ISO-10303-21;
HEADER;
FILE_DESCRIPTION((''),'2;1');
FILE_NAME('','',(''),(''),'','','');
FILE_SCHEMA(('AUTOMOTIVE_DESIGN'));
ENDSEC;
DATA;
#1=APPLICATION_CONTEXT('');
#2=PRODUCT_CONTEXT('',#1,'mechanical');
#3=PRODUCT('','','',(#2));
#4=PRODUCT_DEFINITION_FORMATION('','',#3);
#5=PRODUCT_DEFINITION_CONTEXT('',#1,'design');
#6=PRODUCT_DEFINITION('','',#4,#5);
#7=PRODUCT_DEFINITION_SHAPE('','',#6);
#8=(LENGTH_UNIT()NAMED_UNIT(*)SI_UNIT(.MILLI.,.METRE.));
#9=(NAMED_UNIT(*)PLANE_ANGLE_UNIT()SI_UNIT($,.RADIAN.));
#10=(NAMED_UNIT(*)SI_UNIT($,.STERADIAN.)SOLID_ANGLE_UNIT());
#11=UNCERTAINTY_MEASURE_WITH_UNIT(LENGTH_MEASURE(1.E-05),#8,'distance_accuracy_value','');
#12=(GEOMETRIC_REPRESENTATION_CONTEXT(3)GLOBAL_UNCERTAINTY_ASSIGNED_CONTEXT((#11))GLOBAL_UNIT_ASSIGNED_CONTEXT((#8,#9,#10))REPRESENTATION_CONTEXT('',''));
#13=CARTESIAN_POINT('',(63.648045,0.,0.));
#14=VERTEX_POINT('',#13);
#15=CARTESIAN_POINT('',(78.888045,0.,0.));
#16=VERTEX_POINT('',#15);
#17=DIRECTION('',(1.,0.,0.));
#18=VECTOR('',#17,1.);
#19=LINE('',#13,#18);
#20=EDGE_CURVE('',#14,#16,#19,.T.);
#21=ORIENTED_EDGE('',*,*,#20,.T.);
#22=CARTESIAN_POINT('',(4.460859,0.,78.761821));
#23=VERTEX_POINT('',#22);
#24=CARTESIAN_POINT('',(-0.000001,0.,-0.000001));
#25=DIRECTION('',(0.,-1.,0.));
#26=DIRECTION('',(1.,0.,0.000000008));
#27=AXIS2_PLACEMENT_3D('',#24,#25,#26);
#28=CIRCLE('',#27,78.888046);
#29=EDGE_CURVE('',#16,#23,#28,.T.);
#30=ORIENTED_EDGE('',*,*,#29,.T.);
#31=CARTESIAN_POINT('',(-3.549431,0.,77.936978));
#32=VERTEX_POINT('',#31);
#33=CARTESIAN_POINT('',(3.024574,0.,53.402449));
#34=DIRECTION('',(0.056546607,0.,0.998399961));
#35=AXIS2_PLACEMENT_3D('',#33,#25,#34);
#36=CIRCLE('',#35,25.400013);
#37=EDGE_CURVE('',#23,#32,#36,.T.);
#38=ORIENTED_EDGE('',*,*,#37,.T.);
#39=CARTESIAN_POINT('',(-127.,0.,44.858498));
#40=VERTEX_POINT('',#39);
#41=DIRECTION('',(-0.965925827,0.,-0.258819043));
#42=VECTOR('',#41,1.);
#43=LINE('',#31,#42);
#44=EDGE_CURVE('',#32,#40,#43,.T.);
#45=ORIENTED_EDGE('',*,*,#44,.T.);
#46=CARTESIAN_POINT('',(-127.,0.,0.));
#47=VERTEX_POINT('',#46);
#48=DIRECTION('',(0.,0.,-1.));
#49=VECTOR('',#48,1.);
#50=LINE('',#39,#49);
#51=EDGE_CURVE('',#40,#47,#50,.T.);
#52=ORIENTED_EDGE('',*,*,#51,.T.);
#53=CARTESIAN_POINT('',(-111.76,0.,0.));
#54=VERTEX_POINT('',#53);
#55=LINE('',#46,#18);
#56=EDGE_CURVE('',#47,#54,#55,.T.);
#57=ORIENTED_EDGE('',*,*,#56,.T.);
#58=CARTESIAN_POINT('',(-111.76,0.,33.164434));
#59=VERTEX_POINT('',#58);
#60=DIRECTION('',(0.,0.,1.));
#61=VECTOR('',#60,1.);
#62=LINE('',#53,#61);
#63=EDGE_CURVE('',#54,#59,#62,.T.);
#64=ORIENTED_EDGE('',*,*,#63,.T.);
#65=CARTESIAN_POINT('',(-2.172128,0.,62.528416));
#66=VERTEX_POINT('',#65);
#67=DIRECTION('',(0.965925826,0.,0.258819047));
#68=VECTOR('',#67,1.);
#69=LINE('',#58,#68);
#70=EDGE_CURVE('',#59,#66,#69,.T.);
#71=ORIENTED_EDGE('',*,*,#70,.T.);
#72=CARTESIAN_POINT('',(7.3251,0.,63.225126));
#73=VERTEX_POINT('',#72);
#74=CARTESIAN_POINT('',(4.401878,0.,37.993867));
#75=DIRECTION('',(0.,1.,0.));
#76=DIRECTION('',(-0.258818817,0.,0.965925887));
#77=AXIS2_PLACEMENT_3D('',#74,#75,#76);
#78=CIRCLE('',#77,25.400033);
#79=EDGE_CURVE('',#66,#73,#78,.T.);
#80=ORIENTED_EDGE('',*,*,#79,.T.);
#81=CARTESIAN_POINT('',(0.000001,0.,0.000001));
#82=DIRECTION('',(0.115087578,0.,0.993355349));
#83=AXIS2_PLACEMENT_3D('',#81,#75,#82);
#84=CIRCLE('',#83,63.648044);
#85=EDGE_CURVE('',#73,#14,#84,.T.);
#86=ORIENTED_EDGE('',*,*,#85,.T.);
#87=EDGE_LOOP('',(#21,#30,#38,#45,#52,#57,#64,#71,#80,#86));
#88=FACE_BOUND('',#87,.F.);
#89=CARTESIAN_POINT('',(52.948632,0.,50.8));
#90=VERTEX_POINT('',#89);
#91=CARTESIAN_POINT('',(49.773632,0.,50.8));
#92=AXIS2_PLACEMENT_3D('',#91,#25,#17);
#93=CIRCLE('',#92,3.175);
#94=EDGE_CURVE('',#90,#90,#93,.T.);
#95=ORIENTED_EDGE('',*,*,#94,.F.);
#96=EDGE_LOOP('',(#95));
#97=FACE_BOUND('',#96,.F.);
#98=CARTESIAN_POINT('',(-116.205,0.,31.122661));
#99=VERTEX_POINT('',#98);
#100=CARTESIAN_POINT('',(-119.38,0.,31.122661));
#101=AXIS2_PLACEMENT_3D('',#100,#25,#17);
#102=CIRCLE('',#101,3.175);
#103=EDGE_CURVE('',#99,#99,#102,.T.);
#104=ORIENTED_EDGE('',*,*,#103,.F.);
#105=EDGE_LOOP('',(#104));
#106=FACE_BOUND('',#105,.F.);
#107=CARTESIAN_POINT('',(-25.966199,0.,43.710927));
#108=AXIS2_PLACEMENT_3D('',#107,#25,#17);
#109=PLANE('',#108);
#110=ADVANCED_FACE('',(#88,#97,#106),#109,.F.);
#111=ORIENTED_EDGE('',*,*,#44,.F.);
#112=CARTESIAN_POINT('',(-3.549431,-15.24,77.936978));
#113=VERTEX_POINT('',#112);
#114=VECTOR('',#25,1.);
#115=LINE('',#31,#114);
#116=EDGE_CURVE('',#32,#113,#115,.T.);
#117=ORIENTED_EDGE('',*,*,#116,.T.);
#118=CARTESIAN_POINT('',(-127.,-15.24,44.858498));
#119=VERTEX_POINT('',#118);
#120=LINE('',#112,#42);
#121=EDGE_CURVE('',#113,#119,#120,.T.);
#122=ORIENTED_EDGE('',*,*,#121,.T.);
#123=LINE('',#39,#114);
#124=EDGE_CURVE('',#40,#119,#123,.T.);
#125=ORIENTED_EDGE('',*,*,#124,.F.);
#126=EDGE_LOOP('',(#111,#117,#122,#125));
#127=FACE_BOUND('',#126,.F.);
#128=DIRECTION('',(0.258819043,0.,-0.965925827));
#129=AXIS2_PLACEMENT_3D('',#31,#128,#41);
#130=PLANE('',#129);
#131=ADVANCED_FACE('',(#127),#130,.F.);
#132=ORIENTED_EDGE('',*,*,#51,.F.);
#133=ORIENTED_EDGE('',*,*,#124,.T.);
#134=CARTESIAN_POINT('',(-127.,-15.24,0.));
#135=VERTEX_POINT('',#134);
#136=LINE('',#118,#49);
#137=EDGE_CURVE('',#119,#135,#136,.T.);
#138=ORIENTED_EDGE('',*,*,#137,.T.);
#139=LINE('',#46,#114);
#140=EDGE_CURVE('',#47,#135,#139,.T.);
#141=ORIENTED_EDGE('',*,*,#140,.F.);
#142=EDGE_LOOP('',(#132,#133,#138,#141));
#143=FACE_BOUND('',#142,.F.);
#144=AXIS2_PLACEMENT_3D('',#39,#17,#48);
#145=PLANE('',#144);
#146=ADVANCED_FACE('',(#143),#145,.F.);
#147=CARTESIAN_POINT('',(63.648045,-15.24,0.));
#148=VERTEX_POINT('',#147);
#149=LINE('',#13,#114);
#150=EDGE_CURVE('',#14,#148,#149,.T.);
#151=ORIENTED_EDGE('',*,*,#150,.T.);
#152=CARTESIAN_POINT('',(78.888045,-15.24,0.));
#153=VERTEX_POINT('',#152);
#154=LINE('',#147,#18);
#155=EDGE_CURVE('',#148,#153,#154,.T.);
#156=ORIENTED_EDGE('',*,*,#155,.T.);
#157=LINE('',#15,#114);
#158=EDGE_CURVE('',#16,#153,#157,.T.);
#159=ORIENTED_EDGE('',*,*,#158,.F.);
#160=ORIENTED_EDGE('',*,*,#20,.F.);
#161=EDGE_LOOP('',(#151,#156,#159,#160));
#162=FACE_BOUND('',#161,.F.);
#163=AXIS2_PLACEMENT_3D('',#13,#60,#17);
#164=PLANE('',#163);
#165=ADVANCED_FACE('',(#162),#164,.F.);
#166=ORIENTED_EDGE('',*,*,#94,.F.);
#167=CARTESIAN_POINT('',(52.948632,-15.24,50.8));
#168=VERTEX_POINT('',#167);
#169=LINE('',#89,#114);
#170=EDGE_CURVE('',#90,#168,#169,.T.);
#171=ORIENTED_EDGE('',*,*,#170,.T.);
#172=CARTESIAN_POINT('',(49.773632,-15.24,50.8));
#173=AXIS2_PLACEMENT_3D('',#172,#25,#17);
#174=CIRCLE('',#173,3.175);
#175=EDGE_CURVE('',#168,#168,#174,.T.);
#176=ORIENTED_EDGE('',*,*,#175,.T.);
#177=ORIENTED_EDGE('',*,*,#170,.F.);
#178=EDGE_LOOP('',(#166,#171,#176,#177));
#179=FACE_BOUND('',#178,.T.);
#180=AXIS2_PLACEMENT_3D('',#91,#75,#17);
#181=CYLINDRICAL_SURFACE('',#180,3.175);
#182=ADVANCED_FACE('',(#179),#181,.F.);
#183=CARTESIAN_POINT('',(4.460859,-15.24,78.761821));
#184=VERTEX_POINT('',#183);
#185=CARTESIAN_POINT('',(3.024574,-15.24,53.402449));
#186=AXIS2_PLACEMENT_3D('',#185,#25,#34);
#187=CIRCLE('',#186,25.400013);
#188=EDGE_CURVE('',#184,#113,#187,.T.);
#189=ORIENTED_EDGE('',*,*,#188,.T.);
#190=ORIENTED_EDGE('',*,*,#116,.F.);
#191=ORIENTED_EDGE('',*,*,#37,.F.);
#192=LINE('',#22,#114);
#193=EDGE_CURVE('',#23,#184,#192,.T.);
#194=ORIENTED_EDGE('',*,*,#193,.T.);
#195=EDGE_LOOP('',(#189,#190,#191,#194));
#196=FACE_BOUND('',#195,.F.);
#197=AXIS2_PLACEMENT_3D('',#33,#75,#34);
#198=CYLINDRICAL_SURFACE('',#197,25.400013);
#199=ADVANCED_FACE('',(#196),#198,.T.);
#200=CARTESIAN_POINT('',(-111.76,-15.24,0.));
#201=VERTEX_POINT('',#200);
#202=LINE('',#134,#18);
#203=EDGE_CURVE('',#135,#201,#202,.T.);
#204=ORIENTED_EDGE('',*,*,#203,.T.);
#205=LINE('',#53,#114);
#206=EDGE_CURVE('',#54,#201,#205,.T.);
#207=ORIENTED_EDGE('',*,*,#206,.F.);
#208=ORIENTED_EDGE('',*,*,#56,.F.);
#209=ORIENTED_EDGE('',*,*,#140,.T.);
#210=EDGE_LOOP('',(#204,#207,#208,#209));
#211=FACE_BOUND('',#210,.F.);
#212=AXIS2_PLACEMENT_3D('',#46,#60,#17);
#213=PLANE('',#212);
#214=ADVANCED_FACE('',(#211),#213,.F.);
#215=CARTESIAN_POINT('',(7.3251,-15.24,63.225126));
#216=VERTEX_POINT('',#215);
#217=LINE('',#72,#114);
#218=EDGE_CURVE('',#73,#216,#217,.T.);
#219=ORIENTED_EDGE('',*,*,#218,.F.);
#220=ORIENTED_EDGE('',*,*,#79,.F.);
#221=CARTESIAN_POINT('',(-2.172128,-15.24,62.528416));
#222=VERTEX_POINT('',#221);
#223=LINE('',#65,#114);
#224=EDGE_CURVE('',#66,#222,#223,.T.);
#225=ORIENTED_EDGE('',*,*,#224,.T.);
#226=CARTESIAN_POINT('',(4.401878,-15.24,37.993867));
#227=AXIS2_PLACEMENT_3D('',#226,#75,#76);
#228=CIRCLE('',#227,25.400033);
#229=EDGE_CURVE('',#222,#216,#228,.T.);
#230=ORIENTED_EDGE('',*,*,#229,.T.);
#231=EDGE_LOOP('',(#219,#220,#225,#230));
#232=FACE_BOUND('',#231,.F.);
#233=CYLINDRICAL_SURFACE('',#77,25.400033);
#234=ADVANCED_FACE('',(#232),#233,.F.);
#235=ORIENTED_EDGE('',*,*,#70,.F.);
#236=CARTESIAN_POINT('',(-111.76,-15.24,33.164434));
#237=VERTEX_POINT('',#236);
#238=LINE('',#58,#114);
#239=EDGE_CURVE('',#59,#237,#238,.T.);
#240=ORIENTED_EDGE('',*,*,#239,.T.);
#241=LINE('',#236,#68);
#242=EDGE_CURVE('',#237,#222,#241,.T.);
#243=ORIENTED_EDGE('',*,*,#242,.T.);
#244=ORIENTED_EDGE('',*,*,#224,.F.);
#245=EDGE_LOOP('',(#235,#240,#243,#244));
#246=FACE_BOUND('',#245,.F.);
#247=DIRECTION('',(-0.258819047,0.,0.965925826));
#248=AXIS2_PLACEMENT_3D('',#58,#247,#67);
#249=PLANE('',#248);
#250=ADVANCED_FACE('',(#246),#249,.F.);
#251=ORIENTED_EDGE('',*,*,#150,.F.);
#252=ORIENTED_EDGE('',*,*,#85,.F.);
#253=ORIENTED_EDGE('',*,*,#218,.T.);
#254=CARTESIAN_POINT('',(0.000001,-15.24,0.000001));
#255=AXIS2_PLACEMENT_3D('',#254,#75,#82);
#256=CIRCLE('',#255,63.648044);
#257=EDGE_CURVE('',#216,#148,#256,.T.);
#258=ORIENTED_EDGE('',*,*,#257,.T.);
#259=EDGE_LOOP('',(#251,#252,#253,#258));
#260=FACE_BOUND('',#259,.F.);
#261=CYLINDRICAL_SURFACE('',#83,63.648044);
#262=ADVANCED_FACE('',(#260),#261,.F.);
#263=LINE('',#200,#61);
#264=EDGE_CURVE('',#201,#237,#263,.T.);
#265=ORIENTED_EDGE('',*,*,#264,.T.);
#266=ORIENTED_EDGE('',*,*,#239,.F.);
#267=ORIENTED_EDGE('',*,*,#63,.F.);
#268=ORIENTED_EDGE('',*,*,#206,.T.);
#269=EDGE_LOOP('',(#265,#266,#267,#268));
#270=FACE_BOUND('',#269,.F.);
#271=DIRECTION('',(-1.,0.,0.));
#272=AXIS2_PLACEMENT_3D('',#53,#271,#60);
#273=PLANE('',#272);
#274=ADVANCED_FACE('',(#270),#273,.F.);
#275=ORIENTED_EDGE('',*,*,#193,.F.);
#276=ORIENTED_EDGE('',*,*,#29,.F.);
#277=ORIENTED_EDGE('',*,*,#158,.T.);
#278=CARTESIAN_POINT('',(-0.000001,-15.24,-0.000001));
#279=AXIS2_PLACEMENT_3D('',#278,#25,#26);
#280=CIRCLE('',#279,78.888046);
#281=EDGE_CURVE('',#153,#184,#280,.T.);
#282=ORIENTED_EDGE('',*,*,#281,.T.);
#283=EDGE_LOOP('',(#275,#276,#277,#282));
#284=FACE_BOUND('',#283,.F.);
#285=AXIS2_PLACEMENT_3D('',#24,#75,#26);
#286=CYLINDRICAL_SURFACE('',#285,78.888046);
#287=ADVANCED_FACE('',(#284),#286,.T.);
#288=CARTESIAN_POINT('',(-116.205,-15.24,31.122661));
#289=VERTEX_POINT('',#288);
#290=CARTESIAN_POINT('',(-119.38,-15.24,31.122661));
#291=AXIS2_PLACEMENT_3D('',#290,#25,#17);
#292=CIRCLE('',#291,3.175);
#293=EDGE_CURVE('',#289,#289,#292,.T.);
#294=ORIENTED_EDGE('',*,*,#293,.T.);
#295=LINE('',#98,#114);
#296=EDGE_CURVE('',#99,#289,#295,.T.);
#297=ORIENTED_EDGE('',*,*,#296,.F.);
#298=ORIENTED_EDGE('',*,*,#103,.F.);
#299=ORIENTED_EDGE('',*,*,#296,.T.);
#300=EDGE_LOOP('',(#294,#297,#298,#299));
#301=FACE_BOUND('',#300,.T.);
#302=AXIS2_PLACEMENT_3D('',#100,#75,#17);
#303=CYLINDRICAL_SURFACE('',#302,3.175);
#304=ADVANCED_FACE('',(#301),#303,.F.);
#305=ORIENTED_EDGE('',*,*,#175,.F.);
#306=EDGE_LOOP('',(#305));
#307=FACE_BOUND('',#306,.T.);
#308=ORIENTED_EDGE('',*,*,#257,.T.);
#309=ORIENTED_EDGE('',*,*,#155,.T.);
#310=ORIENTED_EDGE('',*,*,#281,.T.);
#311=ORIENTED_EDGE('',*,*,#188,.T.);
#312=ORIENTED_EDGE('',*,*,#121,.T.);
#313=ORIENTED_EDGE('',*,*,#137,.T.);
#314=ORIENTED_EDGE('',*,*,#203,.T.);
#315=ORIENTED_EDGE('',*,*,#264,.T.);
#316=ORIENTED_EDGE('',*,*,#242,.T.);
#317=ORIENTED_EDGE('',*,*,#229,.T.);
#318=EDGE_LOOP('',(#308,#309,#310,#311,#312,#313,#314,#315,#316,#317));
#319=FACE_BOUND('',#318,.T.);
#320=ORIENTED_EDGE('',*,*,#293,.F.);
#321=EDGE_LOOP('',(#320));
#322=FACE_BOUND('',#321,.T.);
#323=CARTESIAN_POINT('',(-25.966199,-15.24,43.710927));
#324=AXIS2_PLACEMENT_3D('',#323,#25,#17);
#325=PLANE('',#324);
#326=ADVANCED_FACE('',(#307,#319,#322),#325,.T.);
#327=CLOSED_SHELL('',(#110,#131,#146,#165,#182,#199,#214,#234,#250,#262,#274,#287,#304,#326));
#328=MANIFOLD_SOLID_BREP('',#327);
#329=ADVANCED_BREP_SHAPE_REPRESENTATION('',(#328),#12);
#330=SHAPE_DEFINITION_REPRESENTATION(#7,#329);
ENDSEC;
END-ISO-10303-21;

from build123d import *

# Parameters (mm, degrees)
F0_R     = 3.175
F1_DEPTH = 15.24


with BuildPart() as f1:
    # F0 (on Front) → F1 (new body)
    with BuildSketch(Plane.XZ):
        with BuildLine():
            Line((63.648045, 0), (78.888045, 0))
            ThreePointArc((78.888045, 0), (57.337736, 54.182171), (4.460859, 78.761821))
            ThreePointArc((4.460859, 78.761821), (0.422818, 78.66886), (-3.549431, 77.936978))
            Line((-3.549431, 77.936978), (-127, 44.858498))
            Line((-127, 44.858498), (-127, 0))
            Line((-127, 0), (-111.76, 0))
            Line((-111.76, 0), (-111.76, 33.164434))
            Line((-111.76, 33.164434), (-2.172128, 62.528416))
            ThreePointArc((-2.172128, 62.528416), (2.543544, 63.325828), (7.3251, 63.225126))
            ThreePointArc((7.3251, 63.225126), (47.525267, 42.337013), (63.648045, 0))
        make_face()
        with Locations((-119.38, 31.122661)):
            Circle(F0_R, mode=Mode.SUBTRACT)
        with Locations((49.773632, 50.8)):
            Circle(F0_R, mode=Mode.SUBTRACT)
    extrude(amount=F1_DEPTH)


solid = f1.part
